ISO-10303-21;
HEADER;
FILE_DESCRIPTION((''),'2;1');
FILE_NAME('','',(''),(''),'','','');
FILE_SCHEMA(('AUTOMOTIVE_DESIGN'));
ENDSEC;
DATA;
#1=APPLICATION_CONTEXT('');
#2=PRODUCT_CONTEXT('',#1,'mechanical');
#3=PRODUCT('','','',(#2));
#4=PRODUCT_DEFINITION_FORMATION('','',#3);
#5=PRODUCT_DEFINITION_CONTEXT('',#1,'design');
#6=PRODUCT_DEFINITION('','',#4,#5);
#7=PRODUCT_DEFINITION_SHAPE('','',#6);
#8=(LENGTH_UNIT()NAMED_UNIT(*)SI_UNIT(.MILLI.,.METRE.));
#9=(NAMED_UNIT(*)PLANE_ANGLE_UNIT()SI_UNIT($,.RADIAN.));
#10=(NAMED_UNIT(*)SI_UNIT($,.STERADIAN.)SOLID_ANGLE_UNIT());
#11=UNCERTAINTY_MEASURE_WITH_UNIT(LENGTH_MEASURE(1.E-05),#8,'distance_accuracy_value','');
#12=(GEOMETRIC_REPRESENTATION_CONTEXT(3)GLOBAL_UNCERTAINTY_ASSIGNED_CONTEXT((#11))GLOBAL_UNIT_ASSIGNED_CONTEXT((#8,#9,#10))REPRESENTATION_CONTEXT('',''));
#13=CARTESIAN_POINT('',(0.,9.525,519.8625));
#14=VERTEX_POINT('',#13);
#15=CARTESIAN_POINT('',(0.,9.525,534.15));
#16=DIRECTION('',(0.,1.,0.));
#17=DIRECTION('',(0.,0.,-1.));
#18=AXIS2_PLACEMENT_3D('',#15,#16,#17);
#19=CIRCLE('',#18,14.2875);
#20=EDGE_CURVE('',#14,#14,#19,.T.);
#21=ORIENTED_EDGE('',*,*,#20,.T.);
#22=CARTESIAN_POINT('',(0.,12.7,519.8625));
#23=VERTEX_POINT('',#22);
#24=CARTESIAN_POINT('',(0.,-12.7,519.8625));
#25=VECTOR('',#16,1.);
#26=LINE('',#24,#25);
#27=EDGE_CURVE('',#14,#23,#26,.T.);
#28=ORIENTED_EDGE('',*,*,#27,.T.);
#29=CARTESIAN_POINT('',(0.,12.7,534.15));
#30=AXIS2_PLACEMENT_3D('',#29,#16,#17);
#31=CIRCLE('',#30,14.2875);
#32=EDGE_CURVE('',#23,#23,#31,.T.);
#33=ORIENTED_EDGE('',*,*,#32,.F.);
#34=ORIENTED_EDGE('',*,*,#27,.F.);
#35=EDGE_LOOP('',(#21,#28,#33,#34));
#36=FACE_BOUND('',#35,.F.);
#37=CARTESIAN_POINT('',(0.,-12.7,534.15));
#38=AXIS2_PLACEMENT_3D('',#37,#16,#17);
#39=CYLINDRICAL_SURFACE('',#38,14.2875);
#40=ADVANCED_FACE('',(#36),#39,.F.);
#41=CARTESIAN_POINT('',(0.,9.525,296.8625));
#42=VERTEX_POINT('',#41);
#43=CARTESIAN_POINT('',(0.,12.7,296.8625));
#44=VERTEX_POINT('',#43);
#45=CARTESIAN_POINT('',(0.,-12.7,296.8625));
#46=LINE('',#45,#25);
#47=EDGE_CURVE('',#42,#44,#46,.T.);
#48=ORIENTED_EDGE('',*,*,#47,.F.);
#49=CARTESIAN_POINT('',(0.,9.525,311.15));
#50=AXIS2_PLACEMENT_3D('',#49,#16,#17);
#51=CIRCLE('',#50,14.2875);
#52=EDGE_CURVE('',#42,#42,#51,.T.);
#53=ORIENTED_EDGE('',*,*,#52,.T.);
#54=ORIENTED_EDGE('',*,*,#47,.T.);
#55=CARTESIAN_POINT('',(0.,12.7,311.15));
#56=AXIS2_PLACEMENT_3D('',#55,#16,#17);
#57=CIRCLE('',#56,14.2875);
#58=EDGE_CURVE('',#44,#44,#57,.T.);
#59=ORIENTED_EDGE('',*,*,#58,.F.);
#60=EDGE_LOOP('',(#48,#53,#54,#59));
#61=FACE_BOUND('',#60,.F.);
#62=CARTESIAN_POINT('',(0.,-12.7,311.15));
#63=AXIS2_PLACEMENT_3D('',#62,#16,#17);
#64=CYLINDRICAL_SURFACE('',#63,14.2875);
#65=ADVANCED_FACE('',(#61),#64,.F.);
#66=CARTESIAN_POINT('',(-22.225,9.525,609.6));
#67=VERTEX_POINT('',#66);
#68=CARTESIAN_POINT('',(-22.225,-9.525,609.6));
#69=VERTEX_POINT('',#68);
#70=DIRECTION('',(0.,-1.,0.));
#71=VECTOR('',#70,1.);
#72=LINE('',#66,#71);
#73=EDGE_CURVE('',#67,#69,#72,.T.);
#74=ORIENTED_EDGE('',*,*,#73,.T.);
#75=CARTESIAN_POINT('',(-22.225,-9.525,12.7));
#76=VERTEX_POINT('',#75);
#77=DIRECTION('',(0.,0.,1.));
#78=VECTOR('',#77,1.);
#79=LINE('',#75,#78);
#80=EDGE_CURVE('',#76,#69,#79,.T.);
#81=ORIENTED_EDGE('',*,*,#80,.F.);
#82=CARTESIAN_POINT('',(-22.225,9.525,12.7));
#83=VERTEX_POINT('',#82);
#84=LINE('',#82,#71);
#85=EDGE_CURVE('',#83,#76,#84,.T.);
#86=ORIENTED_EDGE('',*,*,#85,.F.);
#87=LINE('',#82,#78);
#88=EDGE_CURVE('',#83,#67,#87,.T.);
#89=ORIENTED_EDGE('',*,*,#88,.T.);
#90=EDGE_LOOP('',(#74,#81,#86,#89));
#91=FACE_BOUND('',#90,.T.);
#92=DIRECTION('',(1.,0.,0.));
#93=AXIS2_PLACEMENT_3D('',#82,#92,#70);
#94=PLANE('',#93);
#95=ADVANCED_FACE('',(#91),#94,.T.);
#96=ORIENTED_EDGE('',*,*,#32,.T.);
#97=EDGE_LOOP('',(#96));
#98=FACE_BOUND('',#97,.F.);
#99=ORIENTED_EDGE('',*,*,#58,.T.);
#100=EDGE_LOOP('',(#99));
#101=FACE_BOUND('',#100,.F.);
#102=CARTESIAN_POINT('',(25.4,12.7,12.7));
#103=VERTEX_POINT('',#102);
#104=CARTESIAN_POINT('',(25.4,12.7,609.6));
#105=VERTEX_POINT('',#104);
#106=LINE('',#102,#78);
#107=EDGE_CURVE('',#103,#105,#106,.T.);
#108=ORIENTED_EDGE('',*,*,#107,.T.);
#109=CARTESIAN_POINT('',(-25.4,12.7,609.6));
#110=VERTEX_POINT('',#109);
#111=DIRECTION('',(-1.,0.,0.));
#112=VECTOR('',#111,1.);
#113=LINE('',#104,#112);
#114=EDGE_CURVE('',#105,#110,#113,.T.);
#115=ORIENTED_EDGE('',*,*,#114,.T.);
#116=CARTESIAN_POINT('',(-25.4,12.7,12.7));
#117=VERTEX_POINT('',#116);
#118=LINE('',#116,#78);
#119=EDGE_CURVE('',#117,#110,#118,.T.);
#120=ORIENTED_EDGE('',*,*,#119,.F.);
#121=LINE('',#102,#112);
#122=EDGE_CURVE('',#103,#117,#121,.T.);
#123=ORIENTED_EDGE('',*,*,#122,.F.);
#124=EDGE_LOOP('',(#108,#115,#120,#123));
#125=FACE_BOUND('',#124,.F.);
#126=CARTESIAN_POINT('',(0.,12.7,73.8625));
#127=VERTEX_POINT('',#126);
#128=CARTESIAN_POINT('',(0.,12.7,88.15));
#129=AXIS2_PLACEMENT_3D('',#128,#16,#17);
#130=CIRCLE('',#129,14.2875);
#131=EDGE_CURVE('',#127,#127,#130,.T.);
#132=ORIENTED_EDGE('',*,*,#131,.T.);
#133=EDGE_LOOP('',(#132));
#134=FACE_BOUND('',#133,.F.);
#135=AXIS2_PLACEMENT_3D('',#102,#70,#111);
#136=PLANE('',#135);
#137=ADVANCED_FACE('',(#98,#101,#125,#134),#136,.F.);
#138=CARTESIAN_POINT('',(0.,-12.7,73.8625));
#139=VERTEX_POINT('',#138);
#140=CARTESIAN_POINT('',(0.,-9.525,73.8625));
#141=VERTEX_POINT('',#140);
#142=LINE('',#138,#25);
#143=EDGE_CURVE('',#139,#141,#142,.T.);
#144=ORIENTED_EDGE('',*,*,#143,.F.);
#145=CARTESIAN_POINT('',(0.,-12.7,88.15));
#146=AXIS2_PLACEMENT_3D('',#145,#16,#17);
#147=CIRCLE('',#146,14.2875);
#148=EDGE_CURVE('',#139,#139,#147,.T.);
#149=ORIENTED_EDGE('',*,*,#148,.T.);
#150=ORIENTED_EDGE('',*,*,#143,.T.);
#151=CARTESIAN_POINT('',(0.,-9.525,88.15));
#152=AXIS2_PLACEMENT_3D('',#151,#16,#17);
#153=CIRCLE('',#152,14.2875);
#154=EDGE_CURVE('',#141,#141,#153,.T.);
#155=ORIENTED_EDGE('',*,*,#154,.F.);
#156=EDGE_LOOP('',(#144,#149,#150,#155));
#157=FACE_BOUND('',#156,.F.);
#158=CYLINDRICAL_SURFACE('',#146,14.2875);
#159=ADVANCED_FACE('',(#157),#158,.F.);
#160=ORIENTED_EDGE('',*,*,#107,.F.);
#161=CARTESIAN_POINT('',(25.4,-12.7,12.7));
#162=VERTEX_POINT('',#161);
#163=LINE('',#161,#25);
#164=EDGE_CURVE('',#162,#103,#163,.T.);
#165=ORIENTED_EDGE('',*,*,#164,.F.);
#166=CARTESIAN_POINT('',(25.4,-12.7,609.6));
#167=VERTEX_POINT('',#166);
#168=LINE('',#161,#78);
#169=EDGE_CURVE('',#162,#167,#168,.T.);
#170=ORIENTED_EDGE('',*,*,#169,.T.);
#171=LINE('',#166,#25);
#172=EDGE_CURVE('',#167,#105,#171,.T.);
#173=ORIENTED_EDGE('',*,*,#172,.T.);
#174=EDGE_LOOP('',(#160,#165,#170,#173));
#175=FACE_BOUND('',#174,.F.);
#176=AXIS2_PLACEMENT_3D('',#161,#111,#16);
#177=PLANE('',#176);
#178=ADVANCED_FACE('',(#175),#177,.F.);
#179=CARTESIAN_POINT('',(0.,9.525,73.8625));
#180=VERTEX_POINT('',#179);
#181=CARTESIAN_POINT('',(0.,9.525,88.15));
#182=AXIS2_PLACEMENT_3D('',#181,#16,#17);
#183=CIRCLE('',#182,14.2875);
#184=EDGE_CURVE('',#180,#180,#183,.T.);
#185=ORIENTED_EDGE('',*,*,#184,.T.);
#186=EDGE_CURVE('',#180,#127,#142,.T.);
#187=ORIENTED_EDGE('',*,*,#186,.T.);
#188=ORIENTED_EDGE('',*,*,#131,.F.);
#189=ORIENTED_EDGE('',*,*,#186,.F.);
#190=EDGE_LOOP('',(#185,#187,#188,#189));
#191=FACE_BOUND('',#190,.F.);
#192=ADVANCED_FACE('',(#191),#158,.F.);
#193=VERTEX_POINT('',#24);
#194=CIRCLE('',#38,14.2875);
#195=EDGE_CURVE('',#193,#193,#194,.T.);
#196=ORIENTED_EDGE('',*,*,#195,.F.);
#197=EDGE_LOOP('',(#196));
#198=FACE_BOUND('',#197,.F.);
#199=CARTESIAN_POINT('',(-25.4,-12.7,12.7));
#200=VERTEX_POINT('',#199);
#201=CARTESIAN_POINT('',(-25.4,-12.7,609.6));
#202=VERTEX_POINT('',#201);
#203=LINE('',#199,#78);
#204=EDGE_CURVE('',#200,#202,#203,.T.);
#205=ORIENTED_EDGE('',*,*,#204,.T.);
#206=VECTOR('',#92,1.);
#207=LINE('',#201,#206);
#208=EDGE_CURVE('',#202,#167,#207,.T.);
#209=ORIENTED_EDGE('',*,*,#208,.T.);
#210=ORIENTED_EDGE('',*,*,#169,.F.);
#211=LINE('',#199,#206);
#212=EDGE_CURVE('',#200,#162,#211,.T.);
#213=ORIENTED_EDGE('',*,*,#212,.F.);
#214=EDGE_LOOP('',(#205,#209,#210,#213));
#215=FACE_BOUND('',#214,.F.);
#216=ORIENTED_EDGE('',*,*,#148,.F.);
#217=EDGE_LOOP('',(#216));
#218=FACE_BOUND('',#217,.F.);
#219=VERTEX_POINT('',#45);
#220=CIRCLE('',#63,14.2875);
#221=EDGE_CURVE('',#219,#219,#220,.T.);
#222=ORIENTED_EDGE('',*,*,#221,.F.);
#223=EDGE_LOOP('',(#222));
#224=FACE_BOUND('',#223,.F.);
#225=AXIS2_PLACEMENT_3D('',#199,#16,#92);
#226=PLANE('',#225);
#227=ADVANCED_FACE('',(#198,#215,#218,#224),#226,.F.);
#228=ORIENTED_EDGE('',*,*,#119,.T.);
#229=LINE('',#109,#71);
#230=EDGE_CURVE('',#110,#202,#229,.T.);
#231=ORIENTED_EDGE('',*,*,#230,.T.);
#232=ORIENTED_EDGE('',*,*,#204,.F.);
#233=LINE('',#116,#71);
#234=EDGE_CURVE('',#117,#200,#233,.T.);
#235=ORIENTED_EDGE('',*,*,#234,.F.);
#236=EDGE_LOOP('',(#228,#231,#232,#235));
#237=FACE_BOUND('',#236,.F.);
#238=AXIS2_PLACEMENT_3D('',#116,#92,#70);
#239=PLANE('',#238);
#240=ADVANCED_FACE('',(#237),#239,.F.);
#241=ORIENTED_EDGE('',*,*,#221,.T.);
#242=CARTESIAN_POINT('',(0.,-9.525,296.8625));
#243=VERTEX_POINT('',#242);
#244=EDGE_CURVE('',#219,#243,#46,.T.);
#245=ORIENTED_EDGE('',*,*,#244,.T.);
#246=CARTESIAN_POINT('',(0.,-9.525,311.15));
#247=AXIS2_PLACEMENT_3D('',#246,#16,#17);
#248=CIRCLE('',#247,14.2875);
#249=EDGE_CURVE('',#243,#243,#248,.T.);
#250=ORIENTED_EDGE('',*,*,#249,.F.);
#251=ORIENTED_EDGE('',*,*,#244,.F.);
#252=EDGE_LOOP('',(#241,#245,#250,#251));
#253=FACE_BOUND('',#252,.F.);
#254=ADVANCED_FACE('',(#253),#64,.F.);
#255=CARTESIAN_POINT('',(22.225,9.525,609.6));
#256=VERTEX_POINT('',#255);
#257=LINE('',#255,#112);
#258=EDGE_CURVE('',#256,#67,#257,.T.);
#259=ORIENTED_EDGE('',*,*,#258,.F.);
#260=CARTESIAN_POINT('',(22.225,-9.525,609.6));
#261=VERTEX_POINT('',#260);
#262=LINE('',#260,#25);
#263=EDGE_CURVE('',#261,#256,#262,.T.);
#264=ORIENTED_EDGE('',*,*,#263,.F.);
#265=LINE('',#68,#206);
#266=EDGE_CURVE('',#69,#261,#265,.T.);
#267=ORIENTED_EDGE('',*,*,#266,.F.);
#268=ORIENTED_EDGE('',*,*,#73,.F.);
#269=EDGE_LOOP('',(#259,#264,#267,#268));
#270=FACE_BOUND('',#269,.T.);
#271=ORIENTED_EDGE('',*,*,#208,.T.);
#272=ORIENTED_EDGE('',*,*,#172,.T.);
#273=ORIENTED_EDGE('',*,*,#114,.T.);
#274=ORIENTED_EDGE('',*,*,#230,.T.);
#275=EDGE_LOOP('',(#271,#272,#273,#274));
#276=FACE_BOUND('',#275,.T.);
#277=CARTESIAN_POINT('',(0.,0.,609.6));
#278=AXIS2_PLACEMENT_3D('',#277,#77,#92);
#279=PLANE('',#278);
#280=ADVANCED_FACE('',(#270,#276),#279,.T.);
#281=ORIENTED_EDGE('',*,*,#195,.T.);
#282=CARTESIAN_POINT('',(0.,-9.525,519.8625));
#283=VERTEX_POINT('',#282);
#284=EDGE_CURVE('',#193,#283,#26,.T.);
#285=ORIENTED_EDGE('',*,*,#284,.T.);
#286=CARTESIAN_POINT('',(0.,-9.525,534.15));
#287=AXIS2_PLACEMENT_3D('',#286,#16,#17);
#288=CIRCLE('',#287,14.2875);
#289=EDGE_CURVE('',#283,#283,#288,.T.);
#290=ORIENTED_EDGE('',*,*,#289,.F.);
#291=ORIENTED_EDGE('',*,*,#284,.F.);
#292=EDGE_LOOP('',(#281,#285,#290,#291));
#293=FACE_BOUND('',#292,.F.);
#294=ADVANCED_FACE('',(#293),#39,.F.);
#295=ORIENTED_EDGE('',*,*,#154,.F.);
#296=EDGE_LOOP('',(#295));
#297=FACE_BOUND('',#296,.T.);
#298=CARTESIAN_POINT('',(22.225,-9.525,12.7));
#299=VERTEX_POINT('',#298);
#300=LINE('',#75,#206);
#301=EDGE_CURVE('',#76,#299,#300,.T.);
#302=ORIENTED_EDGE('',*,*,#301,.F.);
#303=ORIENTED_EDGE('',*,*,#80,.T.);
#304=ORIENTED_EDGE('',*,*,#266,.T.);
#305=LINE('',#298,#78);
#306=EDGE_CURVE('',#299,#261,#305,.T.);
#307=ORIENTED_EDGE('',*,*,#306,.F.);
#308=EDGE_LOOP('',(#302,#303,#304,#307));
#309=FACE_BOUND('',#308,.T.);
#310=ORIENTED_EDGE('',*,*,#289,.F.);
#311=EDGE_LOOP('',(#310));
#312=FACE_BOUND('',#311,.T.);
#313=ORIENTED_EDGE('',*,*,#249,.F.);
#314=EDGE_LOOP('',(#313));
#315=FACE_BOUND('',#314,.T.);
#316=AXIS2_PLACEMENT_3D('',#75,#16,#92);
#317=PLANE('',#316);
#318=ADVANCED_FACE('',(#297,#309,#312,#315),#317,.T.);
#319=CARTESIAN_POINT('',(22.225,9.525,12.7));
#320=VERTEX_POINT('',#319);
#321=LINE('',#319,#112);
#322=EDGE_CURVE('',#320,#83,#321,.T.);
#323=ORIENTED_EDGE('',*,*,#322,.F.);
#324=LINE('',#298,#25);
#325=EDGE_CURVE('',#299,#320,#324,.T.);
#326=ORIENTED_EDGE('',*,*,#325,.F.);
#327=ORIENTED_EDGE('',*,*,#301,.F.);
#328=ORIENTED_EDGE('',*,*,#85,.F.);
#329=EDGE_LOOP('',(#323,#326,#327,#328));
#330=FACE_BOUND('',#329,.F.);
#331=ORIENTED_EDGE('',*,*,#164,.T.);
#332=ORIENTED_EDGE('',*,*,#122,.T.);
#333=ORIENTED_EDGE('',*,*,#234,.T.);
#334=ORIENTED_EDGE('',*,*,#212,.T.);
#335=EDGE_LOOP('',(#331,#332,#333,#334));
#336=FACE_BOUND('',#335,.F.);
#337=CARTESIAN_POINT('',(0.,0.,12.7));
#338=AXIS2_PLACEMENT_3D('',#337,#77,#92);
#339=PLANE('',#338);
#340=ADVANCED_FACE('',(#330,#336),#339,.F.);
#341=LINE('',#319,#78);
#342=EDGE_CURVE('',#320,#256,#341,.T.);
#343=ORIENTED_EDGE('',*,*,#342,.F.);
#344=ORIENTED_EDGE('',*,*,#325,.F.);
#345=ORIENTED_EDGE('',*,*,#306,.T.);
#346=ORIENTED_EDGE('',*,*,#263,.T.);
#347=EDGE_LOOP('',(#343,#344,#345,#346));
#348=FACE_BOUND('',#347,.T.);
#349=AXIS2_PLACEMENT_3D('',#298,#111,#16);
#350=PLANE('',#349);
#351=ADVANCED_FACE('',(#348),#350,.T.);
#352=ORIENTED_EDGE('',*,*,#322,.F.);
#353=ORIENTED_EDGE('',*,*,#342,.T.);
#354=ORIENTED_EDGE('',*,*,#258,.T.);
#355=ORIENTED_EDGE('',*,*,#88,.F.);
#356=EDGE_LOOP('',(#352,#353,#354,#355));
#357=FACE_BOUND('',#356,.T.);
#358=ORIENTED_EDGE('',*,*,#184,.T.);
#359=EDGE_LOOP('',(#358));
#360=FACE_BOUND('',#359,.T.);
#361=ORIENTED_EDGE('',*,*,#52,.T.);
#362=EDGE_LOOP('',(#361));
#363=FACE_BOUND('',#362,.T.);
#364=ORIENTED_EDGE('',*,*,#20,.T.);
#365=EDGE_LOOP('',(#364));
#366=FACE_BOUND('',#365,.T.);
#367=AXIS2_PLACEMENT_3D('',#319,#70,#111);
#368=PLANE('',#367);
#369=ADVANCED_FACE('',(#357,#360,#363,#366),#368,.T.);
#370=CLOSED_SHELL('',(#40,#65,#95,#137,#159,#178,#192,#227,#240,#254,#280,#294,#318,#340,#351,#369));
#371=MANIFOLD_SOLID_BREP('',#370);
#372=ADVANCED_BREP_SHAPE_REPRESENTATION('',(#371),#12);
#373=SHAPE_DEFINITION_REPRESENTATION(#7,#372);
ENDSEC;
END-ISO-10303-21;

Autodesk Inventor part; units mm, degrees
ref_plane "Start Plane" through (0, 0, 12.7) normal (0, 0, 1) x (1, 0, 0)
ref_plane "End Plane" through (0, 0, 609.6) normal (0, 0, 1) x (1, 0, 0)
sketch "Sketch" plane through (0, 0, 0) normal (0, 0, 1) x (1, 0, 0)
  line L0 (-25.4, -12.7) -> (25.4, -12.7)
  line L1 (25.4, -12.7) -> (25.4, 12.7)
  line L2 (25.4, 12.7) -> (-25.4, 12.7)
  line L3 (-25.4, 12.7) -> (-25.4, -12.7)
  line L4 (-25.4, -12.7) -> (25.4, 12.7) construction
  line L5 (25.4, -12.7) -> (-25.4, 12.7) construction
  line L6 (-22.225, -9.525) -> (22.225, -9.525)
  line L7 (22.225, -9.525) -> (22.225, 9.525)
  line L8 (22.225, 9.525) -> (-22.225, 9.525)
  line L9 (-22.225, 9.525) -> (-22.225, -9.525)
  line L10 (-22.225, -9.525) -> (22.225, 9.525) construction
  line L11 (22.225, -9.525) -> (-22.225, 9.525) construction
  point P0 (0, 0)
  point P1 (0, 0)
  dimension "d0" = 50.8
  dimension "d1" = 25.4
  dimension "d2" = 3.175
  dimension "d3" = 3.175
extrude "Body" add sketch "Sketch" along normal up to surface (596.9 mm away) from surface at 12.7
sketch "Sketch4" plane through (0, 0, 0) normal (0, 0, 1) x (1, 0, 0)
  line L0 (0, 0) -> (10, 0)
ref_plane "Work Plane4" through (0, 0, 0) normal (0, -1, 0) x (1, 0, 0)
sketch "Sketch5" plane through (0, 0, 0) normal (0, -1, 0) x (1, 0, 0)
  line L0 (-2, 12.7) -> (12, 12.7)
  line L1 (-2, 609.6) -> (12, 609.6)
  dimension "d11" = 596.9
ref_plane "Work Plane5" through (25.4, 498.475, 12.7) normal (0, 0, -1) x (-1, 0, 0)
split "Split1" plane through (25.4, 498.475, 12.7) removes the side toward (0, 0, -1)
ref_plane "Work Plane6" through (25.4, -73.025, 609.6) normal (0, 0, 1) x (1, 0, 0)
split "Split2" plane through (25.4, -73.025, 609.6) removes the side toward (0, 0, 1)
sketch "Sketch6" plane through (-25.4, -12.7, 609.6) normal (0, -1, 0) x (1, 0, 0)
  line L0 (0, -203.2) -> (50.8, -203.2) projected
  line L1 (50.8, -393.7) -> (0, -393.7) projected
  line L2 (50.8, -596.9) -> (50.8, 0) projected
  line L3 (0, -596.9) -> (0, 0) projected
  point P0 (25.4, -298.45)
  point P1 (25.4, -75.45)
  point P2 (25.4, -521.45)
  dimension "d14" = 25.4
  dimension "d15" = 95.25
  dimension "d16" = 223
  dimension "d17" = 223
hole "Hole1" at (0, -12.7, 311.15) at (0, -12.7, 534.15) at (0, -12.7, 88.15) direction (0, 1, 0) diameter 28.575 end through all
equation "\"G_OFFSET_START\" = -12.7"
equation "\"G_OFFSET_END\" = -12.7"
equation "\"d6\" = -G_OFFSET_START"
equation "\"d7\" = length + G_OFFSET_END"
equation "\"G_L\" = d11"
equation "\"length\" = 622.3"
properties part number "2x1inTubing"
